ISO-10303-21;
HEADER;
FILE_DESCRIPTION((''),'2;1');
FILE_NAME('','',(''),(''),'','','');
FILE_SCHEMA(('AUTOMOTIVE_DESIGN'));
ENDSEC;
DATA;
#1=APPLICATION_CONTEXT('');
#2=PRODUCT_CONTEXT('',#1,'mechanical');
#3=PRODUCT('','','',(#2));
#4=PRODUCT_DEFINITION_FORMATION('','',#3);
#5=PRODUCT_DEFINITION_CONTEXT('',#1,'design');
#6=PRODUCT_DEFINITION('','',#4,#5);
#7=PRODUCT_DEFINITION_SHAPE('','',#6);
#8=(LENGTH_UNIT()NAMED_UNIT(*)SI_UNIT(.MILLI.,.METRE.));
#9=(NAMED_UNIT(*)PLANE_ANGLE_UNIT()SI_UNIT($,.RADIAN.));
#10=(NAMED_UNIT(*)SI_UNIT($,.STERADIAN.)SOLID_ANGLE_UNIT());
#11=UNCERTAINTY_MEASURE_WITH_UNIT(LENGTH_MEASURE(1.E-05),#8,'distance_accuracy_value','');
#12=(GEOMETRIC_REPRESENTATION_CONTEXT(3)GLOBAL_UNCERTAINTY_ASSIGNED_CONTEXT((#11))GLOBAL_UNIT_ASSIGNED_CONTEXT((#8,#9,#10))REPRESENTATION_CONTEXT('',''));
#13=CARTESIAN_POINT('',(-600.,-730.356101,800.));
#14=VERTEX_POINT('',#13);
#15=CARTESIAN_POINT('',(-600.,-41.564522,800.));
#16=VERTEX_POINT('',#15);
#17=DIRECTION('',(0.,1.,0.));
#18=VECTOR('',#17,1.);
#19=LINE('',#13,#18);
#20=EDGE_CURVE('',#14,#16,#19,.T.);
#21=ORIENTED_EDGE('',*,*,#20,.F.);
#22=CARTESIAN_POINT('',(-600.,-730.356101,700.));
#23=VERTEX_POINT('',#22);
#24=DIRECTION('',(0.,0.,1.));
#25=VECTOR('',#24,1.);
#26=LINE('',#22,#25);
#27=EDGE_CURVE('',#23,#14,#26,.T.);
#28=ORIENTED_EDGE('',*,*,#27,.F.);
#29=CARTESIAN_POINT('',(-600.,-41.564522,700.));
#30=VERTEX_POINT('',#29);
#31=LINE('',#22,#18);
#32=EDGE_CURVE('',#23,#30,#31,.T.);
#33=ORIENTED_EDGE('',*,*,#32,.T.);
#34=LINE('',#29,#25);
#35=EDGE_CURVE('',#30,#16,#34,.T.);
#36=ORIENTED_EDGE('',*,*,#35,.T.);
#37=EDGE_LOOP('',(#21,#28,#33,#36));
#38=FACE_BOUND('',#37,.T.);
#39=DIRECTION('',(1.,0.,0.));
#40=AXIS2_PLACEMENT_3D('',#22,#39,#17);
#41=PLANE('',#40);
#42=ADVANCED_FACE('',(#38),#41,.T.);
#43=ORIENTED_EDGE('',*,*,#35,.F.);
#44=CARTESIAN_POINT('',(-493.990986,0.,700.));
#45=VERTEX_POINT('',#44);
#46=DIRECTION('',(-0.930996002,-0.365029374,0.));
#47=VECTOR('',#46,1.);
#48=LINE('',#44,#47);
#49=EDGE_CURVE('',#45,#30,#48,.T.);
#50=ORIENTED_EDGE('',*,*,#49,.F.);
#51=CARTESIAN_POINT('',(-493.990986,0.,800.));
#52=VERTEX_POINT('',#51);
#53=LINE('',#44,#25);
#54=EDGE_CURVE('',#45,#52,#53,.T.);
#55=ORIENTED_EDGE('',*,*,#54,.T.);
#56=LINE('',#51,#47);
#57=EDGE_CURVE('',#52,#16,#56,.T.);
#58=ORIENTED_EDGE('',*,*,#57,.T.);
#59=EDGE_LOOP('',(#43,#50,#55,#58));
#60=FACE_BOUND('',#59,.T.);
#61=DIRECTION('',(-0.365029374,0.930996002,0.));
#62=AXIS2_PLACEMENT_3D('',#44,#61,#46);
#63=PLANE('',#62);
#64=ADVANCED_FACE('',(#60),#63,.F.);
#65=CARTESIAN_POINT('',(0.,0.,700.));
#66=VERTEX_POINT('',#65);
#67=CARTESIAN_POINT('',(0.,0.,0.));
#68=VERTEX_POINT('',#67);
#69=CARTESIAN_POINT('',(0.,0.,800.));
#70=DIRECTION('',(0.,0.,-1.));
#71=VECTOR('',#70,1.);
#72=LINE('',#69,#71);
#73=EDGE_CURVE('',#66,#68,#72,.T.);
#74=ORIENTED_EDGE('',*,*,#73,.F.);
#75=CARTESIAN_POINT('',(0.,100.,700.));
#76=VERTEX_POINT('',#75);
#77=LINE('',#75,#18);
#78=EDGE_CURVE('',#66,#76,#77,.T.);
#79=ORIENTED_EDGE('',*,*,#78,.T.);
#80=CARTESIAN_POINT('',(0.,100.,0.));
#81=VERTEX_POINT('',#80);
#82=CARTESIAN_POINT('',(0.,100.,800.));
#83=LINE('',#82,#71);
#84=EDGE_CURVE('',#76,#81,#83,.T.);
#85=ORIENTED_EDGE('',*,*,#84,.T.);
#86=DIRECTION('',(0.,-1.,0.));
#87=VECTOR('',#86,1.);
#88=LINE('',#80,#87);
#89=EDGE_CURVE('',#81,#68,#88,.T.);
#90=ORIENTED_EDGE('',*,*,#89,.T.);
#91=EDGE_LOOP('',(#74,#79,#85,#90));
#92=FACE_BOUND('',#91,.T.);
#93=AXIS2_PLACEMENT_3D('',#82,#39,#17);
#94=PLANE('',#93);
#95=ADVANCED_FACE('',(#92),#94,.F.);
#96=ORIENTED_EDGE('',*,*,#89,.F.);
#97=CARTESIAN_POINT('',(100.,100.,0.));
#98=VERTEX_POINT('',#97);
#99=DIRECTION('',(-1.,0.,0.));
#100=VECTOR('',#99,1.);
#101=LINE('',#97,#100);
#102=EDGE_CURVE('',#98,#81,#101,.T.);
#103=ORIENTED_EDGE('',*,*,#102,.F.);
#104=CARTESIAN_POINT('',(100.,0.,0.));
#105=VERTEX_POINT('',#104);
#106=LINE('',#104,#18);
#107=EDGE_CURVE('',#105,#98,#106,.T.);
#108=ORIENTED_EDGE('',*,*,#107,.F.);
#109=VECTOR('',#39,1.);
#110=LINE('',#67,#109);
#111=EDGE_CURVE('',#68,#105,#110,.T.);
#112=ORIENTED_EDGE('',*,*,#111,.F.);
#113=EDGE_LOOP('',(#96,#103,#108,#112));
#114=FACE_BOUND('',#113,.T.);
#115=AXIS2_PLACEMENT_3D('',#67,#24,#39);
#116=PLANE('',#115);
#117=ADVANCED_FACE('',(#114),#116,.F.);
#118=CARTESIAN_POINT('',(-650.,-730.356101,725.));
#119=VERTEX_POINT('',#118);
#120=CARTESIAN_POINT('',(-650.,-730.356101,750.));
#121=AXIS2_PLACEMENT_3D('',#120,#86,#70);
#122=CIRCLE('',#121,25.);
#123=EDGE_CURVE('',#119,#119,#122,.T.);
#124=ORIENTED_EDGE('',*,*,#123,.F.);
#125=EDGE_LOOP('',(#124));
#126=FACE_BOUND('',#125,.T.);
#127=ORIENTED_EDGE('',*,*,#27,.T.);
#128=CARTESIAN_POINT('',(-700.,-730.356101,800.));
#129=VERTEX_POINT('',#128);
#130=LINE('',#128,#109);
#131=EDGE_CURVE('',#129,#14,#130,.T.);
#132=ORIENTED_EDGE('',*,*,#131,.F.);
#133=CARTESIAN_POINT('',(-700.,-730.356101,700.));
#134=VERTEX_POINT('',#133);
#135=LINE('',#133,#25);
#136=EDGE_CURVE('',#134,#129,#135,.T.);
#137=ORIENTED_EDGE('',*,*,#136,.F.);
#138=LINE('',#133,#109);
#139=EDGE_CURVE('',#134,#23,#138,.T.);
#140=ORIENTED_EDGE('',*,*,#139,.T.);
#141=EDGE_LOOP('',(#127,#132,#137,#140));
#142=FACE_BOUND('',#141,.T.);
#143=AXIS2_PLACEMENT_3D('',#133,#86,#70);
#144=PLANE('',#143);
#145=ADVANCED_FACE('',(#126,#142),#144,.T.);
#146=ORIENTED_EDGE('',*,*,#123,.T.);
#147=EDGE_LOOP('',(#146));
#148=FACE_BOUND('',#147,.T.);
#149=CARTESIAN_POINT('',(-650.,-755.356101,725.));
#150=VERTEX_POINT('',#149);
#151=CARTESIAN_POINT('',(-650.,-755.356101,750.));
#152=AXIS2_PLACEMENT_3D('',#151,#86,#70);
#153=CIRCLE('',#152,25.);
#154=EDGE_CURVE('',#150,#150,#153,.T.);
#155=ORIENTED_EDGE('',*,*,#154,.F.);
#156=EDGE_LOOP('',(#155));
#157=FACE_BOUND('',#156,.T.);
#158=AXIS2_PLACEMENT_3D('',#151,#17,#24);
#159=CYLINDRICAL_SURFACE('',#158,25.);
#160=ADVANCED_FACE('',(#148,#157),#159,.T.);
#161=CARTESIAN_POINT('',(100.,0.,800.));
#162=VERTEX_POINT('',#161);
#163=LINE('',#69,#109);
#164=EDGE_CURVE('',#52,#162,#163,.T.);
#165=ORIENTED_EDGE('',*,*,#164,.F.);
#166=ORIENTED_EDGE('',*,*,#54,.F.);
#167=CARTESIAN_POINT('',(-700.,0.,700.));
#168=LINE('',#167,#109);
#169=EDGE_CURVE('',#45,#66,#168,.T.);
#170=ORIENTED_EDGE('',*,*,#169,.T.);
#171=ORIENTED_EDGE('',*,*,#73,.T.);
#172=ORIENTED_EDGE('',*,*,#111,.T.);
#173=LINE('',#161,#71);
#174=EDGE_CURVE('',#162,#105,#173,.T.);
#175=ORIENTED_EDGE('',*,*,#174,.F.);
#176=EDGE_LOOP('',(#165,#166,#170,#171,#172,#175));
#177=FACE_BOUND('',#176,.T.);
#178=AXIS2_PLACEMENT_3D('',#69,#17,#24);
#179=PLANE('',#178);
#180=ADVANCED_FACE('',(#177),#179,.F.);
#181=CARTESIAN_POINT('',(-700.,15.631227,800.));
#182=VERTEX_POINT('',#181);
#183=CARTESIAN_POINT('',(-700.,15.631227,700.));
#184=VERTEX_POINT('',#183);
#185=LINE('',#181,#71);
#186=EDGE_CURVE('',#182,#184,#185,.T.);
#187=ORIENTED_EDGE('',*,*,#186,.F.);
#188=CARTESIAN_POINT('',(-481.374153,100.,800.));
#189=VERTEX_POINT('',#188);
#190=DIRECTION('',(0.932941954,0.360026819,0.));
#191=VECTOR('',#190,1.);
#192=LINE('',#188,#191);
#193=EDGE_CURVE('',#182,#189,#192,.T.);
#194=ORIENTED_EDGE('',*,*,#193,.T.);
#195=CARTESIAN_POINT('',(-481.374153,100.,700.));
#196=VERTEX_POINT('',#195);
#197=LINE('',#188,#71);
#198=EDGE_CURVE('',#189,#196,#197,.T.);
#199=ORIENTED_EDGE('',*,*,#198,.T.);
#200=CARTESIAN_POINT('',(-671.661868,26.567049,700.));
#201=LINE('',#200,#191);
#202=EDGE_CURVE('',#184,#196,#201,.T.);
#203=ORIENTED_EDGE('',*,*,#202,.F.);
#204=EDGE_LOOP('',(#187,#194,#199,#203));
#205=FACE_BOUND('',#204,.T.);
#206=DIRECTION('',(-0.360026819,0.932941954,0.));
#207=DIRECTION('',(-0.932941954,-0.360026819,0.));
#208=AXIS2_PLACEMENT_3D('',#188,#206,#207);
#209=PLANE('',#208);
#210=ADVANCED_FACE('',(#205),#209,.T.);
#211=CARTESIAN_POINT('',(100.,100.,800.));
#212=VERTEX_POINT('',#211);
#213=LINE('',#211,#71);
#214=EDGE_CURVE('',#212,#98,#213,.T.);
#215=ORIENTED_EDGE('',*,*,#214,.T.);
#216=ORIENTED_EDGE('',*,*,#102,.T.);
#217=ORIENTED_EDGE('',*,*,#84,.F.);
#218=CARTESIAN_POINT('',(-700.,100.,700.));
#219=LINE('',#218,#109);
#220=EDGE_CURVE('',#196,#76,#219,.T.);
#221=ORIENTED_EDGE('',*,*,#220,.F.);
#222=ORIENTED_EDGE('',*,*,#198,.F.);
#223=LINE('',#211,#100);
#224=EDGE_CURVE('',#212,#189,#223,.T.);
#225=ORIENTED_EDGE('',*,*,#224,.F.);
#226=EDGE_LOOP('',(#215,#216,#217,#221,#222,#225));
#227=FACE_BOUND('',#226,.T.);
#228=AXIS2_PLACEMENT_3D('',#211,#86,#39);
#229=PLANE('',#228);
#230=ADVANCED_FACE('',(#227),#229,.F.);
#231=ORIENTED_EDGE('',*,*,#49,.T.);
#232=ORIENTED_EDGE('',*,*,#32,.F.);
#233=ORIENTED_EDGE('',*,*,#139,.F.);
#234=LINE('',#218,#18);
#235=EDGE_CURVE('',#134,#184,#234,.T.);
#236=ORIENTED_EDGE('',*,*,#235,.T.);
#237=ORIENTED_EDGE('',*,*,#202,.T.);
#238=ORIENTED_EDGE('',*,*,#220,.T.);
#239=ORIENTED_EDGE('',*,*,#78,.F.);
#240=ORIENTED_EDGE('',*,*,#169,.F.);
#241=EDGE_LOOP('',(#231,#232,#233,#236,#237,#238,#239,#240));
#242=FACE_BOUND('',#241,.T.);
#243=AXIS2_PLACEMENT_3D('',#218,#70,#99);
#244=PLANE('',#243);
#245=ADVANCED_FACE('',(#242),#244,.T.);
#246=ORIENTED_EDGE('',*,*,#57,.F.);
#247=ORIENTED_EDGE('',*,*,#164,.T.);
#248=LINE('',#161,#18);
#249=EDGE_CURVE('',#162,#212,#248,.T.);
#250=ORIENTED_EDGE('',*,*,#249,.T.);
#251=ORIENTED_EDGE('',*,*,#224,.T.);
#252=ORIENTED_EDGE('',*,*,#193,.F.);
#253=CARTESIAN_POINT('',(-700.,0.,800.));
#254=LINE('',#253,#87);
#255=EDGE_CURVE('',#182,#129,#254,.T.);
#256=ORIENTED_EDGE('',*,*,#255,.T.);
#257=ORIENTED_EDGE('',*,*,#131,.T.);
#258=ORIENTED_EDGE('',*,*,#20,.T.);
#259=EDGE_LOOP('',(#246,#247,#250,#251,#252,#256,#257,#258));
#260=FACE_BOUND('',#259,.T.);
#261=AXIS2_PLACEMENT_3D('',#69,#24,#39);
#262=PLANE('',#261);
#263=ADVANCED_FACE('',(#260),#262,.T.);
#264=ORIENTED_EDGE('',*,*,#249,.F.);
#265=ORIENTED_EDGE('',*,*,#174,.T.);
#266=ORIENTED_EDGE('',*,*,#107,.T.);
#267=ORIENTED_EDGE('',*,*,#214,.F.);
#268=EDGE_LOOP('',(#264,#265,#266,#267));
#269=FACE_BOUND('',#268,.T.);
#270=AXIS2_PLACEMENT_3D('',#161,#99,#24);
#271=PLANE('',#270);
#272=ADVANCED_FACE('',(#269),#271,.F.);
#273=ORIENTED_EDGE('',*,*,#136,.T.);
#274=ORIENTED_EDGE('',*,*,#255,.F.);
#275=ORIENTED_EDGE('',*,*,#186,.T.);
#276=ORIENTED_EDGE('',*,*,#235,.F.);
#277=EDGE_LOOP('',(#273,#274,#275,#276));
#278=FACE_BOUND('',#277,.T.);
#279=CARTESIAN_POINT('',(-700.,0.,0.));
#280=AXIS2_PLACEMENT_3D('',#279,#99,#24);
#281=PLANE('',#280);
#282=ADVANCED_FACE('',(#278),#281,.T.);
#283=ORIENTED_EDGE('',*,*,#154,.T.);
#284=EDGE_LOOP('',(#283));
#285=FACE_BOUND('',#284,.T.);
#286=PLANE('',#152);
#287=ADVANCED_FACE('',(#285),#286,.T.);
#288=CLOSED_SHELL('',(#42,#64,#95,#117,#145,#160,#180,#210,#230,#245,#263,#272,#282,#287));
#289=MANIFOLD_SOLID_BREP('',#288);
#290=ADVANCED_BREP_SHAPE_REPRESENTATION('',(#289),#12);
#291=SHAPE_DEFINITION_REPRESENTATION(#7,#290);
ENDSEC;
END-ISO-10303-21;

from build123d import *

# Parameters (mm, degrees)
SKETCH1_W           = 100
SKETCH1_H           = 100
BOSS_EXTRUDE1_DEPTH = 800
SKETCH2_W           = 100
SKETCH2_H           = 100
BOSS_EXTRUDE2_DEPTH = 700
CUT_EXTRUDE1_DEPTH  = 801
BOSS_EXTRUDE3_DEPTH = 100
SKETCH5_R           = 25
BOSS_EXTRUDE4_DEPTH = 25


with BuildPart() as part:
    # Sketch1 → Boss-Extrude1 (new body)
    with BuildSketch(Plane.XY):
        with Locations((50, 50)):
            Rectangle(SKETCH1_W, SKETCH1_H)
    extrude(amount=BOSS_EXTRUDE1_DEPTH)

    # Sketch2 → Boss-Extrude2 (add)
    with BuildSketch(Plane(origin=(0, 0, 0), x_dir=(0, 0, -1), z_dir=(1, 0, 0))):
        with Locations((-750, 50)):
            Rectangle(SKETCH2_W, SKETCH2_H)
    extrude(amount=-BOSS_EXTRUDE2_DEPTH)

    # Sketch3 → Cut-Extrude1 (cut, through all)
    with BuildSketch(Plane.XY):
        Polygon((-481.374152596, 100), (-700, 15.631226575), (-700, 100), align=None)
    extrude(amount=CUT_EXTRUDE1_DEPTH, mode=Mode.SUBTRACT)

    # Sketch4 → Boss-Extrude3 (add)
    with BuildSketch(Plane.XY.offset(800)):
        Polygon((-493.990986432, 0), (-600, -41.564522078), (-600, -730.356100977), (-700, -730.356100977), (-700, 0), align=None)
    extrude(amount=-BOSS_EXTRUDE3_DEPTH)

    # Sketch5 → Boss-Extrude4 (add)
    with BuildSketch(Plane(origin=(0, -730.356100977, 0), x_dir=(-1, 0, 0), z_dir=(0, -1, 0))):
        with Locations((650, -750)):
            Circle(SKETCH5_R)
    extrude(amount=BOSS_EXTRUDE4_DEPTH)


solid = part.part
